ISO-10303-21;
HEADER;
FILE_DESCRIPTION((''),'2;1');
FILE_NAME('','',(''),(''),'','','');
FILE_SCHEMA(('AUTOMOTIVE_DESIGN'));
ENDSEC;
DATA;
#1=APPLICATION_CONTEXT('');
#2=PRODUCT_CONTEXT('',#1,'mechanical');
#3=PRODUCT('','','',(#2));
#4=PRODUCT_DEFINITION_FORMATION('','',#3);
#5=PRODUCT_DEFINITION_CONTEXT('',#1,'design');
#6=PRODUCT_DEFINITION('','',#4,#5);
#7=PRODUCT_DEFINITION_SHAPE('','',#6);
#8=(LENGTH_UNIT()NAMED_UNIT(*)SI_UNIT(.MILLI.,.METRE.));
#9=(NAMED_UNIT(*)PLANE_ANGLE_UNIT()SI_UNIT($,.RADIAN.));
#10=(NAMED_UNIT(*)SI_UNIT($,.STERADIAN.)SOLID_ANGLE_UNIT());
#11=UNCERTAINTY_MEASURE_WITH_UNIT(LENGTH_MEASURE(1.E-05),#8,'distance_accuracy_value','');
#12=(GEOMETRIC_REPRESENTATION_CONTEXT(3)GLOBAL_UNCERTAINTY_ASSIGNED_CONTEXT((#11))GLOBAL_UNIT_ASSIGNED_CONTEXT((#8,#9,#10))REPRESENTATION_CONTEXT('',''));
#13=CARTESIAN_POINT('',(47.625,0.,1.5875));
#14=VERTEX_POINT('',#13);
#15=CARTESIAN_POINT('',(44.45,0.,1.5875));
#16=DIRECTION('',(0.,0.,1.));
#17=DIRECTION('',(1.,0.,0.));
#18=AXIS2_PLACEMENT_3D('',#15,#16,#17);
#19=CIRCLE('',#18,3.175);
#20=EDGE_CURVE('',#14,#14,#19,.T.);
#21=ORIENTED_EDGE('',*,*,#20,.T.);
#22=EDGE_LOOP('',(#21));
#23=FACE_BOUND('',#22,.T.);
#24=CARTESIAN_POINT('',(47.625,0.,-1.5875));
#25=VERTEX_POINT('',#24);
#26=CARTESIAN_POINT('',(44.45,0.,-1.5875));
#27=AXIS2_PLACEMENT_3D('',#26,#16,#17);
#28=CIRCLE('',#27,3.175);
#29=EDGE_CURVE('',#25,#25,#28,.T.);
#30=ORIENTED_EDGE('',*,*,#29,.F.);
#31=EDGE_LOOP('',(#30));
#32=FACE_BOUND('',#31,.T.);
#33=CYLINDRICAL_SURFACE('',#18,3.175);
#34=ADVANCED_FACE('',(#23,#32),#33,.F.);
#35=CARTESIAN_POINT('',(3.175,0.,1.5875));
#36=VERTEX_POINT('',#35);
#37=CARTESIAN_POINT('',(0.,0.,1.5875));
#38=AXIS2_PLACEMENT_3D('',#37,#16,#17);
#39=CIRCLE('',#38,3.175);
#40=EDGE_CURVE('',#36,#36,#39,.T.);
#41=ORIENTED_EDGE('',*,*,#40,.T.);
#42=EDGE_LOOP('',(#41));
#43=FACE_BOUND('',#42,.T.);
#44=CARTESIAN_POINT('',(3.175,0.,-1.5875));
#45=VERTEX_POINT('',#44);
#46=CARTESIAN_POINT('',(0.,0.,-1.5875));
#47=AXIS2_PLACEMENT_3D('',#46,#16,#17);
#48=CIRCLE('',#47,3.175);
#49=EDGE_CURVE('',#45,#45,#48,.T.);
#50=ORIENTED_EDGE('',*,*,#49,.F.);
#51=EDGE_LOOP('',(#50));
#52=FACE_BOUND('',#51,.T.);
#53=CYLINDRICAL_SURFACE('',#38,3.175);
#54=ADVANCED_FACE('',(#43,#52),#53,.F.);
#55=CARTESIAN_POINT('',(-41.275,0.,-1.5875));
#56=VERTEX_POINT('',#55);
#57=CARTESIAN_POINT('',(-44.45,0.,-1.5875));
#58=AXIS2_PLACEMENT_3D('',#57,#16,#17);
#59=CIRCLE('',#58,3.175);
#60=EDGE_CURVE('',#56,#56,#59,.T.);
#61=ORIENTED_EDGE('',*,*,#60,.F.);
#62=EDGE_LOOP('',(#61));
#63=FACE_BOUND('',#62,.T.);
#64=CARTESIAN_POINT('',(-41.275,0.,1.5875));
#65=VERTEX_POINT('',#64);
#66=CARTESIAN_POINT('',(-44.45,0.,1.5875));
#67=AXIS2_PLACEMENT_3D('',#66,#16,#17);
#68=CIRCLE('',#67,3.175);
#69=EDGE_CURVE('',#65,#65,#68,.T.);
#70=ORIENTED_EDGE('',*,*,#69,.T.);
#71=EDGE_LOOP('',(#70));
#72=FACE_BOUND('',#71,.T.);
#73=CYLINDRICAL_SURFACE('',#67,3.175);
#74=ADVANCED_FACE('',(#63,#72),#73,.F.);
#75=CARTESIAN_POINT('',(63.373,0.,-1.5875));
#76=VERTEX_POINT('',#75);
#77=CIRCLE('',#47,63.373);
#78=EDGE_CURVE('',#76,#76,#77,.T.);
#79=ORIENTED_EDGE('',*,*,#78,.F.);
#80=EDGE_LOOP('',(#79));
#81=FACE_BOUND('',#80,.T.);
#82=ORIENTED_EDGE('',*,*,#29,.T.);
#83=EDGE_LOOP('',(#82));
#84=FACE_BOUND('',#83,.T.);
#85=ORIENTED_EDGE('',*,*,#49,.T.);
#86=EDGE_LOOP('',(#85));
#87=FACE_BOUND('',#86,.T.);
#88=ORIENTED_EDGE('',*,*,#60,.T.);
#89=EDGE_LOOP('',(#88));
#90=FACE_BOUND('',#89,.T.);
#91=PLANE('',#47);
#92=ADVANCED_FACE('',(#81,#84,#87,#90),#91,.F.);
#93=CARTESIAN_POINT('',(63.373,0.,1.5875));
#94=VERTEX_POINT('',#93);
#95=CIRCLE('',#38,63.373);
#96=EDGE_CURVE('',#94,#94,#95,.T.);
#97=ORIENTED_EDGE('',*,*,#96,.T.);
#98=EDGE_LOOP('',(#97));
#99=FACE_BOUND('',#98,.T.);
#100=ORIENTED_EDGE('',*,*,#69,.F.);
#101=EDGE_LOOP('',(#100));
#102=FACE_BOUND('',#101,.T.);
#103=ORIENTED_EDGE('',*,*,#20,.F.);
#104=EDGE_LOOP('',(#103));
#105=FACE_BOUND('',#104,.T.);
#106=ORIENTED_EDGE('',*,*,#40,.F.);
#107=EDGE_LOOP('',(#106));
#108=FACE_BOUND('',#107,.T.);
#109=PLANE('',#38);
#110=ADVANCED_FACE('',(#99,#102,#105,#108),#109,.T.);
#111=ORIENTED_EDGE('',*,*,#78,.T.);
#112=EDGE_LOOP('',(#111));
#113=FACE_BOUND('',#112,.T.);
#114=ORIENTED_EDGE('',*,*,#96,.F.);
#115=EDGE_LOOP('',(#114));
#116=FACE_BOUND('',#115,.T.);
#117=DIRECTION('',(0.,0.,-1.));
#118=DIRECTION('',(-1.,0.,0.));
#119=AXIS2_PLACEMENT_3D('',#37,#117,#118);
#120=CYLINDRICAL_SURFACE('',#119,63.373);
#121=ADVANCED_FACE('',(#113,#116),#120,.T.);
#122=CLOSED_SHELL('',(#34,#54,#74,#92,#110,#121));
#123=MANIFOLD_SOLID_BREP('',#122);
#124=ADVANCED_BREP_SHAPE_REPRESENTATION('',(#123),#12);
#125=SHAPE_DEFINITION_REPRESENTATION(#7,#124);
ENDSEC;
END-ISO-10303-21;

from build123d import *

# Parameters (mm, degrees)
SKETCH1_R                   = 63.373
BOSS_EXTRUDE1_DEPTH         = 1.5875
F_1_4_0_25_DIAMETER_HOLE1_D = 6.35


with BuildPart() as part:
    # Sketch1 → Boss-Extrude1 (new body, symmetric)
    with BuildSketch(Plane.XY):
        Circle(SKETCH1_R)
    extrude(amount=BOSS_EXTRUDE1_DEPTH, both=True)

    # 1/4 (0.25) Diameter Hole1 (through all)
    with Locations(Plane.XY.offset(1.5875)):
        with Locations((-44.45, 0), (0, 0), (44.45, 0)):
            Hole(F_1_4_0_25_DIAMETER_HOLE1_D / 2)


solid = part.part
